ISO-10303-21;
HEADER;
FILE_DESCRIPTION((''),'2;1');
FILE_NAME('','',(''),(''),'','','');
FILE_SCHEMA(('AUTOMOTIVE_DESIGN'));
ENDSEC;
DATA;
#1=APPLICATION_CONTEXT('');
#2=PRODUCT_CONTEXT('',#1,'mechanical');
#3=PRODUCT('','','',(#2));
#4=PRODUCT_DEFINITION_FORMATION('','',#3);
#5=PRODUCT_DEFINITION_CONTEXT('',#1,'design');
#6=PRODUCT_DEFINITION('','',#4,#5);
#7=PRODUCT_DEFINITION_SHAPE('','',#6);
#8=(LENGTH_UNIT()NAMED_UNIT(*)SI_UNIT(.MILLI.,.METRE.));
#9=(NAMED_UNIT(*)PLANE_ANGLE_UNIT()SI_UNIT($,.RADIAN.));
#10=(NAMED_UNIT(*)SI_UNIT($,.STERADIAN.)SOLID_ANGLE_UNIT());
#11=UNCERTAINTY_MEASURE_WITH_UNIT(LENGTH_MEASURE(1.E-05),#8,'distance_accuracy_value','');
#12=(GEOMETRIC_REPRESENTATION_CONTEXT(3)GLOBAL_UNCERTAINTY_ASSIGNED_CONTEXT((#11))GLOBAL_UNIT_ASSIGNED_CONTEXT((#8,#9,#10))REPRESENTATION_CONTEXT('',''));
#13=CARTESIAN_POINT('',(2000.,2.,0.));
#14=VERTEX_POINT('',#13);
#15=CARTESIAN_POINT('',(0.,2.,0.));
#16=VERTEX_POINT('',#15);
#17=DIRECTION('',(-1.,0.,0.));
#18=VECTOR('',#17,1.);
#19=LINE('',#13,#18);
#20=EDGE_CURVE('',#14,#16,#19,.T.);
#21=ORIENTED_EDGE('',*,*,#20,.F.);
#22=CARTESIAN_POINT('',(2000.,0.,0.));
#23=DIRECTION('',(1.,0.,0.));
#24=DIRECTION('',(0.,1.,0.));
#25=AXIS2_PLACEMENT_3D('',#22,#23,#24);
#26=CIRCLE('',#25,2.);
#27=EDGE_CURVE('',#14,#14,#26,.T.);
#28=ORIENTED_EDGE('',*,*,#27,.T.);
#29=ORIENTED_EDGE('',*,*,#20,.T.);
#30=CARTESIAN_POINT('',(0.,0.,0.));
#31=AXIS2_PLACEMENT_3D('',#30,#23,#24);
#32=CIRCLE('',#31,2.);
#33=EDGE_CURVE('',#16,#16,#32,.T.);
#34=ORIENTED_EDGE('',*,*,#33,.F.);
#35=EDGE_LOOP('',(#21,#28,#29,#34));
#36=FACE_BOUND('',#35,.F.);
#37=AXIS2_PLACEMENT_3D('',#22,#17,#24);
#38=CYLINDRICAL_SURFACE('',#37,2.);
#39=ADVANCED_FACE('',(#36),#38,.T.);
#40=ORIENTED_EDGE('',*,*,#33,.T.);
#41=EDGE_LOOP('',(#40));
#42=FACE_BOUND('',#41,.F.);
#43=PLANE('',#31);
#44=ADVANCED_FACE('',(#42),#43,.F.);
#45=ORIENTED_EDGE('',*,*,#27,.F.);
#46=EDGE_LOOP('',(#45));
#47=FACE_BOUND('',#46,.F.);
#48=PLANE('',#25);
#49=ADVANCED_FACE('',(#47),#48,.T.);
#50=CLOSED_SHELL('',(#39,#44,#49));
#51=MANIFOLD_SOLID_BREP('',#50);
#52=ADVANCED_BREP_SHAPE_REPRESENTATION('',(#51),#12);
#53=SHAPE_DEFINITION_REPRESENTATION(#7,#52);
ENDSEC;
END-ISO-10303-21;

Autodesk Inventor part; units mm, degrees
ref_plane "YZ Plane" through (0, 0, 0) normal (1, 0, 0) x (0, 1, 0)
ref_plane "XZ Plane" through (0, 0, 0) normal (0, 1, 0) x (-1, 0, 0)
ref_plane "XY Plane" through (0, 0, 0) normal (0, 0, 1) x (1, 0, 0)
sketch "Sketch 1" plane through (0, 0, 0) normal (0, 0, 1) x (1, 0, 0)
  line L0 (0, 0) -> (2000, 0)
  line L1 (2000, 0) -> (2000, 2)
  line L2 (2000, 2) -> (0, 2)
  line L3 (0, 2) -> (0, 0)
  line L4 (0, 0) -> (264.2263, 0)
  dimension "D" = 4
  dimension "L" = 2000
revolve "Revolution 1" add sketch "Sketch 1" angle 360 about axis through (0, 0, 0) along (1, 0, 0)
thread "Thread1" size "M4x0.7" designation "M4" class "6g" standard "GB Metric profile" full length
equation "\"D\" = NND"
equation "\"L\" = NLG"
equation "\"NND\" = 4"
equation "\"NLG\" = 2000"
equation "\"PTC\" = 0.7"
equation "\"KOD\" = 1"
equation "\"KOH\" = 1"
properties part number "Threaded rods GB/T 15389-1994 M4 x 2000" material "Stahl, weich"
